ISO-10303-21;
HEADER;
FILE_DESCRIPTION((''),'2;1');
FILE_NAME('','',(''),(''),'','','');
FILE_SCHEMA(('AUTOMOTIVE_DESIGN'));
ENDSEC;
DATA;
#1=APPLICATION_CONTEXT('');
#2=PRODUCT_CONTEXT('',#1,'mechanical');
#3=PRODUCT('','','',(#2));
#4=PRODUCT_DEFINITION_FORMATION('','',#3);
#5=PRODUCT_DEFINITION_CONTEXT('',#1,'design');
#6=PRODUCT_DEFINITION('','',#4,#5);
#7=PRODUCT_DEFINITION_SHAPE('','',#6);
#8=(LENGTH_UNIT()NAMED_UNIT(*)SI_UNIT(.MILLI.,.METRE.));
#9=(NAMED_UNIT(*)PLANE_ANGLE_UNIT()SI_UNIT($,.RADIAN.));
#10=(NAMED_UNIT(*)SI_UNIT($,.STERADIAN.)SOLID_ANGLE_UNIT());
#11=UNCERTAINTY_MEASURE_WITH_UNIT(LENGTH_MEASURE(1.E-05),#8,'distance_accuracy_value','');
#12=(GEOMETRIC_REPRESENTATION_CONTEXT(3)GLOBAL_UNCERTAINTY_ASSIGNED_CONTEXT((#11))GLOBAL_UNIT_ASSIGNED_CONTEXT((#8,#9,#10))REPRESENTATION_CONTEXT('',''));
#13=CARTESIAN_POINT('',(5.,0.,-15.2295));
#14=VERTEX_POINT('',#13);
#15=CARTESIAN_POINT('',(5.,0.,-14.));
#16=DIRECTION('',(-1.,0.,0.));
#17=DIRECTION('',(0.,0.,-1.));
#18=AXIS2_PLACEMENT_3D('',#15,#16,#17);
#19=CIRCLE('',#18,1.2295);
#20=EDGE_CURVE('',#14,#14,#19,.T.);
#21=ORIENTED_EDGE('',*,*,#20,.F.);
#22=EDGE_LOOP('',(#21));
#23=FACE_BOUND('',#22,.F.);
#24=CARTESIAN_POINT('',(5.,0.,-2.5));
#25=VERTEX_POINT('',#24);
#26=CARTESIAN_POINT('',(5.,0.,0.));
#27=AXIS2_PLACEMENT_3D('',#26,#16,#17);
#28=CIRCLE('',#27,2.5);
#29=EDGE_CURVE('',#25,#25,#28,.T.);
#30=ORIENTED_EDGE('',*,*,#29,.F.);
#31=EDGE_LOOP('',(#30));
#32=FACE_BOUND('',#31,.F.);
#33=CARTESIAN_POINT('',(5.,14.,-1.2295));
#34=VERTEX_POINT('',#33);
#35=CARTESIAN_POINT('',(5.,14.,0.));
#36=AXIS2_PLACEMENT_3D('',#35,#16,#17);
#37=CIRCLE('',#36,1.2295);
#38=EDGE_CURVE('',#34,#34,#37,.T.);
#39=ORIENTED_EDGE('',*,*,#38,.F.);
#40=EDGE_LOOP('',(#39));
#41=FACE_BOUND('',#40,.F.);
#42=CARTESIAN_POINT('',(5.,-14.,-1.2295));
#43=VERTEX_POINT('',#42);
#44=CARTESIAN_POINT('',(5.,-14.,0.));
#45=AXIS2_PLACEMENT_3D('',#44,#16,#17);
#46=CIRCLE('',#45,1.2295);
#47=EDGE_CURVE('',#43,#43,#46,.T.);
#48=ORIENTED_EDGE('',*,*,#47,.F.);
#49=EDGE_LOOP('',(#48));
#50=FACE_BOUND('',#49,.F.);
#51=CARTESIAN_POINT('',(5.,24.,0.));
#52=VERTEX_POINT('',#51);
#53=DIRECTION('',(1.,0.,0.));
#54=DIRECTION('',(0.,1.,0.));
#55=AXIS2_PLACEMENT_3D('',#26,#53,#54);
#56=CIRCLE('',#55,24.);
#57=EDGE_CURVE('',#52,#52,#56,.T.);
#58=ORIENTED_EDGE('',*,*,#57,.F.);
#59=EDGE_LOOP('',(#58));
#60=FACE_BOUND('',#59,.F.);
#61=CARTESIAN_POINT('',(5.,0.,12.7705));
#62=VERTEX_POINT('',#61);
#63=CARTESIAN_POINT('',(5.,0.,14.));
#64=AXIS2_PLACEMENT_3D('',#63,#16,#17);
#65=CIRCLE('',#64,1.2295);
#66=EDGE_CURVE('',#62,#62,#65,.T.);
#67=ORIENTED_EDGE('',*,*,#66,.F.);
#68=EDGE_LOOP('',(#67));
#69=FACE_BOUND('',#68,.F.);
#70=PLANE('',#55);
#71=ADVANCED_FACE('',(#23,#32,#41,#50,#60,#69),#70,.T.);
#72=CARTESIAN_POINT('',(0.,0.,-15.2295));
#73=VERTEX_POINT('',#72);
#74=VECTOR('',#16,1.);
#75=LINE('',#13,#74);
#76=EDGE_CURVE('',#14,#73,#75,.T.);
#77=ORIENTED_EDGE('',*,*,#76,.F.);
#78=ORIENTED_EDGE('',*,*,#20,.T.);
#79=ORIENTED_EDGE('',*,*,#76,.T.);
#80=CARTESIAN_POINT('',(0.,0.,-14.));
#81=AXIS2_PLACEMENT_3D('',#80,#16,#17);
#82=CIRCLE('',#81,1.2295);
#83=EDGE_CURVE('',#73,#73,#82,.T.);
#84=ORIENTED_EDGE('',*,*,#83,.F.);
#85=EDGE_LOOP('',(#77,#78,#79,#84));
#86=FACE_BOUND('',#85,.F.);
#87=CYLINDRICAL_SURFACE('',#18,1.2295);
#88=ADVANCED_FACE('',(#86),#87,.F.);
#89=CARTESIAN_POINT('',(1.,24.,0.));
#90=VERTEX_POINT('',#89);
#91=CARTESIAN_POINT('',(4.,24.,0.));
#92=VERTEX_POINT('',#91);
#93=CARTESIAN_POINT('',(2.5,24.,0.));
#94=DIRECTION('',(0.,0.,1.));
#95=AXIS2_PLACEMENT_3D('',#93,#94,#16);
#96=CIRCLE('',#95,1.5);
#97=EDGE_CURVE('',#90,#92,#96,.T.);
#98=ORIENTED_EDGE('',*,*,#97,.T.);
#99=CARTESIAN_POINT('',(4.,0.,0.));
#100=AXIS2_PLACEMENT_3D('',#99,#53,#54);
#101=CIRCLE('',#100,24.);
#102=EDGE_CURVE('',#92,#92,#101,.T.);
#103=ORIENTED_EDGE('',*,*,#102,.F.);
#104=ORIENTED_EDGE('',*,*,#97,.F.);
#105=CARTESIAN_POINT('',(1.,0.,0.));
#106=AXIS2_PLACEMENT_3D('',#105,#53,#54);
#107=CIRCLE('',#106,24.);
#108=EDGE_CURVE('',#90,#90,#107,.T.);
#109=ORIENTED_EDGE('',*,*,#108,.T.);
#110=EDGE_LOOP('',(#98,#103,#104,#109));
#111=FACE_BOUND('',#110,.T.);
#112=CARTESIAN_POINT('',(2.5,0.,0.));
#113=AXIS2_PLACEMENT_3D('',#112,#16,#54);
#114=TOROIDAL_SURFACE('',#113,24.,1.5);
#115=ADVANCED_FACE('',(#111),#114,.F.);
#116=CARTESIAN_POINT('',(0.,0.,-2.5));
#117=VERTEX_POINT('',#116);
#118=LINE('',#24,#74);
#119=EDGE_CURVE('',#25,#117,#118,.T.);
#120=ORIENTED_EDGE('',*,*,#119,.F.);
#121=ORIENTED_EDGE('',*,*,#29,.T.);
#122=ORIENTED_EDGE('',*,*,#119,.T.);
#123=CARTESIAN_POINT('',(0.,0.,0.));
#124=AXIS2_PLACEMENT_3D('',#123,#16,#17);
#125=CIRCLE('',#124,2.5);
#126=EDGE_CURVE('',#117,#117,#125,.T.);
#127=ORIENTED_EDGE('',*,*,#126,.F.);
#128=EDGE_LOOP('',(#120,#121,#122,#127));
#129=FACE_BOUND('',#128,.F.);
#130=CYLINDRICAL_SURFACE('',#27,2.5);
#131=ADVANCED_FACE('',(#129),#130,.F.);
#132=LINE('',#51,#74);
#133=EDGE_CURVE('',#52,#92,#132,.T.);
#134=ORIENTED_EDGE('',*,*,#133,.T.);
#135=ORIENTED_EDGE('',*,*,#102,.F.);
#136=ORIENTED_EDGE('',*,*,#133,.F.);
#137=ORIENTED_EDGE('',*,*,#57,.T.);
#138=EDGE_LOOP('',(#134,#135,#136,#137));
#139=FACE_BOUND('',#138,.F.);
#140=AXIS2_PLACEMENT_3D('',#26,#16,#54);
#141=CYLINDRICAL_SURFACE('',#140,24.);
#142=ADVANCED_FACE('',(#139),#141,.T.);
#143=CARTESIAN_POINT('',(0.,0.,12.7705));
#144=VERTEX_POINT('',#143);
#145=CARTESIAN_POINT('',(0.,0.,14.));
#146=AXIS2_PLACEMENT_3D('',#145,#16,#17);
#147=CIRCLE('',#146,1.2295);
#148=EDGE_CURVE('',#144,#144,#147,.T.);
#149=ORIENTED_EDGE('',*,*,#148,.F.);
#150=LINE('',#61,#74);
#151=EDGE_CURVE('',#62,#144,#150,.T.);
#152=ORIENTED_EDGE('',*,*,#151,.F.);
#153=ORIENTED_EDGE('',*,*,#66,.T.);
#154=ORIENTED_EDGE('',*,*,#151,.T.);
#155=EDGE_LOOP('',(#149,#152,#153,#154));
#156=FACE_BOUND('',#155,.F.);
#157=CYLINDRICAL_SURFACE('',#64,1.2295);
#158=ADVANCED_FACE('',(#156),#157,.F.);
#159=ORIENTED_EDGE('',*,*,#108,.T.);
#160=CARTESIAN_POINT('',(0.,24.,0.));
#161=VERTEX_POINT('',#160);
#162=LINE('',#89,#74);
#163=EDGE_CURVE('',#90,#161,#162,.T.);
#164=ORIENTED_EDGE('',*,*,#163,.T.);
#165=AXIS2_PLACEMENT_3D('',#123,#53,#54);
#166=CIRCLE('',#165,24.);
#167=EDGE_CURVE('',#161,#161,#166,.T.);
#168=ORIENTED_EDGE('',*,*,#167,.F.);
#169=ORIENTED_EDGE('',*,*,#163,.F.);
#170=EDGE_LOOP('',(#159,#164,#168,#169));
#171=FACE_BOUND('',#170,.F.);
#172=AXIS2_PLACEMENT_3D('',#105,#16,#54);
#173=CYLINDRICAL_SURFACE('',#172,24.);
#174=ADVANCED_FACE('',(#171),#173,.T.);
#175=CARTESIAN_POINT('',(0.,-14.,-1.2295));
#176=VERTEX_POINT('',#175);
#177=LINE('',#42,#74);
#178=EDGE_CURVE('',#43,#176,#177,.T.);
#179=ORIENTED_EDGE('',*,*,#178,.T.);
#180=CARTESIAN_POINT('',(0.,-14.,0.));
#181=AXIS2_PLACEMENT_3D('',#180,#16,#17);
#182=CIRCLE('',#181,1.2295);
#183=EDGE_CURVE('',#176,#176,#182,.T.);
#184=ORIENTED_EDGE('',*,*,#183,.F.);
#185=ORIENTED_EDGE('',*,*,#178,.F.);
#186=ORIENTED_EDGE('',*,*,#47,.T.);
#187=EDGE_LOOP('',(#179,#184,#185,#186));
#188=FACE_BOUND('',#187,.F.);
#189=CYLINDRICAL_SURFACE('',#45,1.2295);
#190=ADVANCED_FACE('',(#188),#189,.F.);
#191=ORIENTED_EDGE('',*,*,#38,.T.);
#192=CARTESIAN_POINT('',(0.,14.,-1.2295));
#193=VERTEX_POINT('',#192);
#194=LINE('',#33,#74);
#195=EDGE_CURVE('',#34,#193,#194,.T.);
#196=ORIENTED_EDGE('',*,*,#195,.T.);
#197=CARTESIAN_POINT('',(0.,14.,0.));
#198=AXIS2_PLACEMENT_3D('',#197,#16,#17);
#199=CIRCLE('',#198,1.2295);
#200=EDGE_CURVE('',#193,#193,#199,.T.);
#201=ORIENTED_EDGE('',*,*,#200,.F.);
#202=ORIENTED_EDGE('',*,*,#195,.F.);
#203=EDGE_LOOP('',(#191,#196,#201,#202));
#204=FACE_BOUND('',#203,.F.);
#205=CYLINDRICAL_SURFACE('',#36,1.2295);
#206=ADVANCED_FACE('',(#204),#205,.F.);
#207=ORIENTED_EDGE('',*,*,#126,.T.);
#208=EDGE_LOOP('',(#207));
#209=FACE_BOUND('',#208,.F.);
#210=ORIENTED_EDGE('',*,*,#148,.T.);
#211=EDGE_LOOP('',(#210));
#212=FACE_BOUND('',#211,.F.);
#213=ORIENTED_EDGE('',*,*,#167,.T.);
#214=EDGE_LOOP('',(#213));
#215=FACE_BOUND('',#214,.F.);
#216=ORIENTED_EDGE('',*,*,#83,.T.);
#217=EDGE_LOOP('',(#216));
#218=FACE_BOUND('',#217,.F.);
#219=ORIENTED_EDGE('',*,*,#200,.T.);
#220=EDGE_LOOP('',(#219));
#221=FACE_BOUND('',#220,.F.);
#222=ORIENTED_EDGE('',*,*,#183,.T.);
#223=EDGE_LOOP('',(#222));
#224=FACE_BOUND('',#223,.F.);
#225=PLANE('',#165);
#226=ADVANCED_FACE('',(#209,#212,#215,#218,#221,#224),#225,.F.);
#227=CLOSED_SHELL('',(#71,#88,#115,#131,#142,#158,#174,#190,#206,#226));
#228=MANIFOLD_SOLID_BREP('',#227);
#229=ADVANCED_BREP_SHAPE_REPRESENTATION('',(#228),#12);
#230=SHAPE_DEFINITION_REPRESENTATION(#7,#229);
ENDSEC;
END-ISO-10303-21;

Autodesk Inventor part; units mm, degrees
ref_plane "YZ Plane" through (0, 0, 0) normal (1, 0, 0) x (0, 1, 0)
ref_plane "XZ Plane" through (0, 0, 0) normal (0, 1, 0) x (-1, 0, 0)
ref_plane "XY Plane" through (0, 0, 0) normal (0, 0, 1) x (1, 0, 0)
sketch "スケッチ1" plane through (0, 0, 0) normal (0, 0, 1) x (1, 0, 0)
  line L0 (0, 0) -> (5, 0)
  line L1 (5, 0) -> (5, 24)
  line L2 (0, 24) -> (0, 0)
  arc A0 (1, 24) -> (4, 24) centre (2.5, 24) ccw
  line L3 (5, 24) -> (4, 24)
  line L4 (1, 24) -> (0, 24)
  dimension "d0" = 5
  dimension "d2" = 3
revolve "回転1" add sketch "スケッチ1" angle 360 about axis through (0, 0, 0) along (1, 0, 0)
sketch "スケッチ2" plane through (5, 0, 0) normal (1, 0, 0) x (0, 0, -1)
  point P0 (0, 0)
hole "穴1" at (5, 0, 0) direction (-1, 0, 0) diameter 5 end through all
sketch "スケッチ3" plane through (5, 0, 0) normal (1, 0, 0) x (0, 0, -1)
  point P0 (0, 0)
  point P1 (0, 14)
  point P2 (-14, 0)
  point P3 (0, -14)
  point P4 (14, 0)
  dimension "d13" = 360
  dimension "d15" = 14
hole "穴2" at (5, 14, 0) at (5, 0, 14) at (5, -14, 0) at (5, 0, -14) direction (-1, 0, 0) diameter 2.459 end through all thread size "M3x0.5" class "6H" standard "ISO Metric profile"
properties part number "RD0012"
